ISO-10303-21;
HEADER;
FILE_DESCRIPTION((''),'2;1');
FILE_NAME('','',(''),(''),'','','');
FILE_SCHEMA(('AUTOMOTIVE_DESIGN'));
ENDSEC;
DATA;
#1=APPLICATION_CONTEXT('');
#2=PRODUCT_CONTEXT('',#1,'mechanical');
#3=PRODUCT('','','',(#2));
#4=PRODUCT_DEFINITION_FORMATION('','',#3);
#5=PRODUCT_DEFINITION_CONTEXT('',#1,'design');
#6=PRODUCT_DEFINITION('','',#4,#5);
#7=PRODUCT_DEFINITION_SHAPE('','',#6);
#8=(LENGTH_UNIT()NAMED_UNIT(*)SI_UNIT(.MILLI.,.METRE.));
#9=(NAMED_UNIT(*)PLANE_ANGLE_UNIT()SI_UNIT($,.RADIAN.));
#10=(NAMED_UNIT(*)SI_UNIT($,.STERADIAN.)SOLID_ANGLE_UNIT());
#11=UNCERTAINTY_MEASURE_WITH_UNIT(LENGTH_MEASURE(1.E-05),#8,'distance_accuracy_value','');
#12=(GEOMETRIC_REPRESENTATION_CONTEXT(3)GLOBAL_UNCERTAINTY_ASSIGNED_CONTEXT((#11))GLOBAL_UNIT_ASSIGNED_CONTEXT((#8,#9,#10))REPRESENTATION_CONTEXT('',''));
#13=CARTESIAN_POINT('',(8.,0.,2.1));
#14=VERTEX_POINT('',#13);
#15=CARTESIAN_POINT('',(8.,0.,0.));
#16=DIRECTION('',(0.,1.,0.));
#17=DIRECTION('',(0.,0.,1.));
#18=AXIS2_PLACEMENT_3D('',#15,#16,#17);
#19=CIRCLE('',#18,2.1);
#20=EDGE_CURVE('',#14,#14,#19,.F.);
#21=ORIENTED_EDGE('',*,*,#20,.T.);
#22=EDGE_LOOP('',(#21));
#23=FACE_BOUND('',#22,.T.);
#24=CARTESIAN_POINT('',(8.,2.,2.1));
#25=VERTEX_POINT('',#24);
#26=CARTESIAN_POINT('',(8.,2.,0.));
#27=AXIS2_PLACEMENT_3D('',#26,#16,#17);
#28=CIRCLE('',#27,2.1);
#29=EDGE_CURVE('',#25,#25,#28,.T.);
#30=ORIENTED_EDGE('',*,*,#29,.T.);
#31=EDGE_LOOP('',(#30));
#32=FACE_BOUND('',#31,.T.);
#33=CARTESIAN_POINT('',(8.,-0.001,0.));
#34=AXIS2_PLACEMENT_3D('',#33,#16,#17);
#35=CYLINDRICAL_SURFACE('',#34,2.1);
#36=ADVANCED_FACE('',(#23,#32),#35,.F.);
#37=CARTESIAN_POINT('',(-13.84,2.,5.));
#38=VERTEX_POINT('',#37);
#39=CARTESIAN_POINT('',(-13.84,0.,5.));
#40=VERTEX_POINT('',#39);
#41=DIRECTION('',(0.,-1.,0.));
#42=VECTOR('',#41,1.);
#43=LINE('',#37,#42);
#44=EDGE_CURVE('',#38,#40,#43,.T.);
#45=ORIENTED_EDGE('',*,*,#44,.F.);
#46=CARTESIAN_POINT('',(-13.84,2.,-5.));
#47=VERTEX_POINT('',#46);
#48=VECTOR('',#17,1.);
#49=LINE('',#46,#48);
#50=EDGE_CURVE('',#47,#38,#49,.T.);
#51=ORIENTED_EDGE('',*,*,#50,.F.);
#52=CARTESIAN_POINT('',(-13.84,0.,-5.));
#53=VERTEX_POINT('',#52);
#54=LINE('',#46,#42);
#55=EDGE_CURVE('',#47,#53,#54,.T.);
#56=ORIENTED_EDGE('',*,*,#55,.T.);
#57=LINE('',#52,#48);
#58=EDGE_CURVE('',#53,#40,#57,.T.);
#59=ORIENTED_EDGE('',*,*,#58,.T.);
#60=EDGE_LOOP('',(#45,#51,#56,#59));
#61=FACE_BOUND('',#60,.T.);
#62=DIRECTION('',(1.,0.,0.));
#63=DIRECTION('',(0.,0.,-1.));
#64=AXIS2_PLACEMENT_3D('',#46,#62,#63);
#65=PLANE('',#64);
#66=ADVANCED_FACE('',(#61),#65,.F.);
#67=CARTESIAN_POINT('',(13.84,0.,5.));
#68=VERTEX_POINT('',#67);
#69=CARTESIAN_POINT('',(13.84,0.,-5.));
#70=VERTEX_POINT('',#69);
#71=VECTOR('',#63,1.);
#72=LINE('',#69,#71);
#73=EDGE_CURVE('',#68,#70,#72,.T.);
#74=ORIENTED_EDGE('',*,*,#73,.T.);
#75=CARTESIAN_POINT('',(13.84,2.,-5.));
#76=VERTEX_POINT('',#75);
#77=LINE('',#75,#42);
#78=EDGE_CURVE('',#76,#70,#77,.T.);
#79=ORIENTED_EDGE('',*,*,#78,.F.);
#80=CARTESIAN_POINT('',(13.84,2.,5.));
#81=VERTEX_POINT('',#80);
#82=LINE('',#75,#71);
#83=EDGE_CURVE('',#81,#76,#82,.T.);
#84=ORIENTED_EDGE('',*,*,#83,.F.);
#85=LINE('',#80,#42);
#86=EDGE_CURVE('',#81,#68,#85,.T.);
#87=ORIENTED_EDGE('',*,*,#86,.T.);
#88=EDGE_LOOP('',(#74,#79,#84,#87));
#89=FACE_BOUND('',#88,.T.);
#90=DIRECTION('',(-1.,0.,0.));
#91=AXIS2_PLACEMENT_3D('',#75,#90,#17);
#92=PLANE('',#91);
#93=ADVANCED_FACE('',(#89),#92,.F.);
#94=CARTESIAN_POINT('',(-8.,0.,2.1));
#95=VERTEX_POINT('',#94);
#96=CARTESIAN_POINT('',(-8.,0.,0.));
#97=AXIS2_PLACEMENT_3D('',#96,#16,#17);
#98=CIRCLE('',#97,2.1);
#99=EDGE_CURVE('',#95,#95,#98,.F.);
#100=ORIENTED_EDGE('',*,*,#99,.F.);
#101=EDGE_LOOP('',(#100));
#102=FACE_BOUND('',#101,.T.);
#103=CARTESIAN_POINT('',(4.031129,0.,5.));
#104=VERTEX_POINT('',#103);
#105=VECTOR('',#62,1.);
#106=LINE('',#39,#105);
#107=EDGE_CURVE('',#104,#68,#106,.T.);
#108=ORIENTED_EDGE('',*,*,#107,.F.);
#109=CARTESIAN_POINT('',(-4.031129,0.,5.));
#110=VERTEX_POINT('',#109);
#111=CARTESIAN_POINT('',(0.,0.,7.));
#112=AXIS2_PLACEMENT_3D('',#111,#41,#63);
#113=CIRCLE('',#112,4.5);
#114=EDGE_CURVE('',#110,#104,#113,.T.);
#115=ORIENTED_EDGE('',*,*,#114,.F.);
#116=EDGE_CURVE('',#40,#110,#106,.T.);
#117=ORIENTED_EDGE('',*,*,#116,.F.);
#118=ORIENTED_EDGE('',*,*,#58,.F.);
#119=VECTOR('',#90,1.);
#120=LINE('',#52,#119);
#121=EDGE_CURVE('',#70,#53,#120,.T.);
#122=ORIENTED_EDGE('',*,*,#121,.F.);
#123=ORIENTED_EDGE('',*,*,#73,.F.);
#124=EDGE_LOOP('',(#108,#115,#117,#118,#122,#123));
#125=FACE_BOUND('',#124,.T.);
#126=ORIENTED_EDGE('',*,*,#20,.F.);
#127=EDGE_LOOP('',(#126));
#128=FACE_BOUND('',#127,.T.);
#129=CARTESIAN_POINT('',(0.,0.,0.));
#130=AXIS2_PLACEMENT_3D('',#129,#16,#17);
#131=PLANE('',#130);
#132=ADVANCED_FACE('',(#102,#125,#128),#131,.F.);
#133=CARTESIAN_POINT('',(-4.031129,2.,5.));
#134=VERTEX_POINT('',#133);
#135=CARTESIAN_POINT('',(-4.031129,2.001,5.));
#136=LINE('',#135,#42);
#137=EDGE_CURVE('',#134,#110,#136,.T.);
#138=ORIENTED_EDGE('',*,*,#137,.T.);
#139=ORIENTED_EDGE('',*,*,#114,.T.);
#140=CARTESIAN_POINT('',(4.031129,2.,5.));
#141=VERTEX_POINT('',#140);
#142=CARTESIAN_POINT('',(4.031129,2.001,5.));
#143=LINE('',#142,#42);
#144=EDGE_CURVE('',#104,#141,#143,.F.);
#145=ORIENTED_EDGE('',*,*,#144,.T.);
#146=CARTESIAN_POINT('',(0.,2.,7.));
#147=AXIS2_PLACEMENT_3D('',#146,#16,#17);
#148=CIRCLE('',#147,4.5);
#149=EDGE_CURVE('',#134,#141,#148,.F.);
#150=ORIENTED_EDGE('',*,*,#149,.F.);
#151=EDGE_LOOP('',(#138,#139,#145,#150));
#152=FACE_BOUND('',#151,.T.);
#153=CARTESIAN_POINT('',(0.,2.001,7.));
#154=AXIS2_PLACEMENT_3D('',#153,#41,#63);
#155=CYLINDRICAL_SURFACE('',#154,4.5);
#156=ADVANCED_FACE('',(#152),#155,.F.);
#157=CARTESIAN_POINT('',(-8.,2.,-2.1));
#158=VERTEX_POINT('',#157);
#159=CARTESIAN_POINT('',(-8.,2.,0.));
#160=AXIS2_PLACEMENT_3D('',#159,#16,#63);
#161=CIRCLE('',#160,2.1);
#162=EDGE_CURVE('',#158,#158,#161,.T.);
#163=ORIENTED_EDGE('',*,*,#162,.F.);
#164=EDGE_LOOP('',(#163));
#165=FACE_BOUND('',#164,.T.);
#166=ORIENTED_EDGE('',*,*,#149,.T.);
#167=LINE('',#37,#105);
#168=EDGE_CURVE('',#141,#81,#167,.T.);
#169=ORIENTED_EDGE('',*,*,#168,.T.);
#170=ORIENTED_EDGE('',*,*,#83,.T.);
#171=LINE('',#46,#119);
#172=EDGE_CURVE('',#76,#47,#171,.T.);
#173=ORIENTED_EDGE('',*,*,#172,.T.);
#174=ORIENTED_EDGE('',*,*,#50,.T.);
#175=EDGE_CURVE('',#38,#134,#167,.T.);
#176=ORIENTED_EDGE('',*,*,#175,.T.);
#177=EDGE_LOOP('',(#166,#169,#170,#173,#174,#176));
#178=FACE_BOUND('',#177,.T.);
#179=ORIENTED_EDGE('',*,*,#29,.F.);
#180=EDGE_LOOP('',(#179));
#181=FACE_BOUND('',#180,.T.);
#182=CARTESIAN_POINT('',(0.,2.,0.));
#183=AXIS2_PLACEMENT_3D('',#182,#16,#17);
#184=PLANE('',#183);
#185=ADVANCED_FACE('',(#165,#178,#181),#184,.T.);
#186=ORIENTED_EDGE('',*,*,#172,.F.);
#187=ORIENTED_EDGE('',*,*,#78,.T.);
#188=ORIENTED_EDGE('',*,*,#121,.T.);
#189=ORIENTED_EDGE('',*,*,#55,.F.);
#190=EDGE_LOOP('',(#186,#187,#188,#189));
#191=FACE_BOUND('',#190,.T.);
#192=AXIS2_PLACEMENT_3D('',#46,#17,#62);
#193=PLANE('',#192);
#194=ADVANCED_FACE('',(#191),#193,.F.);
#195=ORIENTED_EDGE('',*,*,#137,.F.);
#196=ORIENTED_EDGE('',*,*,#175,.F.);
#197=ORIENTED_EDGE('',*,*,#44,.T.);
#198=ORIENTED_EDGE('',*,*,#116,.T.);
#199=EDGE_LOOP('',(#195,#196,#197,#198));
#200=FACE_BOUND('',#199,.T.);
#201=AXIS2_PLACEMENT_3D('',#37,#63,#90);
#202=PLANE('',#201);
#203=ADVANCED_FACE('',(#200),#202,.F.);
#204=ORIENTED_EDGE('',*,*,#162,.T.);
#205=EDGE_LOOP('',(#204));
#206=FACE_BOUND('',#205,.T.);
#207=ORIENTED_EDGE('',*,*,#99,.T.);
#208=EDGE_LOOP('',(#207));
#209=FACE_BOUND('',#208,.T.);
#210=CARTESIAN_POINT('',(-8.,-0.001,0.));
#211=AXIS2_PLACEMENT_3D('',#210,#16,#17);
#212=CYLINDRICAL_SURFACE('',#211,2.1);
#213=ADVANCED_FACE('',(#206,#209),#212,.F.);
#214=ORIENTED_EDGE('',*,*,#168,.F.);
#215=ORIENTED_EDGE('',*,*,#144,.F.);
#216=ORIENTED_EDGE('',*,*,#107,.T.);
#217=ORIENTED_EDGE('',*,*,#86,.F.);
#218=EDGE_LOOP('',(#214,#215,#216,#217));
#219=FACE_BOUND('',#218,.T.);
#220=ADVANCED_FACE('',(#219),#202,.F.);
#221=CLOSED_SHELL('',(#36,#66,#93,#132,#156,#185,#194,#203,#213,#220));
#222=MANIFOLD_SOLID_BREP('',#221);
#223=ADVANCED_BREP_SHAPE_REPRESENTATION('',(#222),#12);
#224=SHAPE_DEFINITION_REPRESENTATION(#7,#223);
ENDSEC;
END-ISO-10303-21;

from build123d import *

# Parameters (mm, degrees)
SKETCH1_W           = 27.68
SKETCH1_H           = 10
BOSS_EXTRUDE1_DEPTH = 2
CUT_EXTRUDE1_REACH  = 16.851
SKETCH2_R           = 2.1
CUT_EXTRUDE2_REACH  = 16.851
SKETCH3_R           = 4.5


with BuildPart() as part:
    # Sketch1 → Boss-Extrude1 (new body)
    with BuildSketch(Plane(origin=(0, 0, 0), x_dir=(1, 0, 0), z_dir=(0, 1, 0))):
        Rectangle(SKETCH1_W, SKETCH1_H)
    extrude(amount=BOSS_EXTRUDE1_DEPTH)

    # Sketch2 → Cut-Extrude1 (cut, up to next)
    with BuildSketch(Plane(origin=(0, 2, 0), x_dir=(1, 0, 0), z_dir=(0, 1, 0)), mode=Mode.PRIVATE) as cut_extrude1_sk1:
        with Locations(Location((8, 0, 0), (0, 0, 270))):
            Circle(SKETCH2_R)
    cut_extrude1_tool1 = extrude(cut_extrude1_sk1.sketch, amount=-CUT_EXTRUDE1_REACH, mode=Mode.PRIVATE) & part.part
    # Sketch2 → Cut-Extrude1 (cut, up to next)
    with BuildSketch(Plane(origin=(0, 2, 0), x_dir=(1, 0, 0), z_dir=(0, 1, 0)), mode=Mode.PRIVATE) as cut_extrude1_sk2:
        with Locations(Location((-8, 0, 0), (0, 0, 270))):
            Circle(SKETCH2_R)
    cut_extrude1_tool2 = extrude(cut_extrude1_sk2.sketch, amount=-CUT_EXTRUDE1_REACH, mode=Mode.PRIVATE) & part.part
    add(cut_extrude1_tool1.solids().sort_by_distance((8, 2, 0))[0], mode=Mode.SUBTRACT)
    add(cut_extrude1_tool2.solids().sort_by_distance((-8, 2, 0))[0], mode=Mode.SUBTRACT)

    # Sketch3 → Cut-Extrude2 (cut, up to next)
    with BuildSketch(Plane.XZ, mode=Mode.PRIVATE) as cut_extrude2_sk1:
        with Locations((0, 7)):
            Circle(SKETCH3_R)
    cut_extrude2_tool1 = extrude(cut_extrude2_sk1.sketch, amount=-CUT_EXTRUDE2_REACH, mode=Mode.PRIVATE) & part.part
    add(cut_extrude2_tool1.solids().sort_by_distance((0, 0, 7))[0], mode=Mode.SUBTRACT)


solid = part.part
